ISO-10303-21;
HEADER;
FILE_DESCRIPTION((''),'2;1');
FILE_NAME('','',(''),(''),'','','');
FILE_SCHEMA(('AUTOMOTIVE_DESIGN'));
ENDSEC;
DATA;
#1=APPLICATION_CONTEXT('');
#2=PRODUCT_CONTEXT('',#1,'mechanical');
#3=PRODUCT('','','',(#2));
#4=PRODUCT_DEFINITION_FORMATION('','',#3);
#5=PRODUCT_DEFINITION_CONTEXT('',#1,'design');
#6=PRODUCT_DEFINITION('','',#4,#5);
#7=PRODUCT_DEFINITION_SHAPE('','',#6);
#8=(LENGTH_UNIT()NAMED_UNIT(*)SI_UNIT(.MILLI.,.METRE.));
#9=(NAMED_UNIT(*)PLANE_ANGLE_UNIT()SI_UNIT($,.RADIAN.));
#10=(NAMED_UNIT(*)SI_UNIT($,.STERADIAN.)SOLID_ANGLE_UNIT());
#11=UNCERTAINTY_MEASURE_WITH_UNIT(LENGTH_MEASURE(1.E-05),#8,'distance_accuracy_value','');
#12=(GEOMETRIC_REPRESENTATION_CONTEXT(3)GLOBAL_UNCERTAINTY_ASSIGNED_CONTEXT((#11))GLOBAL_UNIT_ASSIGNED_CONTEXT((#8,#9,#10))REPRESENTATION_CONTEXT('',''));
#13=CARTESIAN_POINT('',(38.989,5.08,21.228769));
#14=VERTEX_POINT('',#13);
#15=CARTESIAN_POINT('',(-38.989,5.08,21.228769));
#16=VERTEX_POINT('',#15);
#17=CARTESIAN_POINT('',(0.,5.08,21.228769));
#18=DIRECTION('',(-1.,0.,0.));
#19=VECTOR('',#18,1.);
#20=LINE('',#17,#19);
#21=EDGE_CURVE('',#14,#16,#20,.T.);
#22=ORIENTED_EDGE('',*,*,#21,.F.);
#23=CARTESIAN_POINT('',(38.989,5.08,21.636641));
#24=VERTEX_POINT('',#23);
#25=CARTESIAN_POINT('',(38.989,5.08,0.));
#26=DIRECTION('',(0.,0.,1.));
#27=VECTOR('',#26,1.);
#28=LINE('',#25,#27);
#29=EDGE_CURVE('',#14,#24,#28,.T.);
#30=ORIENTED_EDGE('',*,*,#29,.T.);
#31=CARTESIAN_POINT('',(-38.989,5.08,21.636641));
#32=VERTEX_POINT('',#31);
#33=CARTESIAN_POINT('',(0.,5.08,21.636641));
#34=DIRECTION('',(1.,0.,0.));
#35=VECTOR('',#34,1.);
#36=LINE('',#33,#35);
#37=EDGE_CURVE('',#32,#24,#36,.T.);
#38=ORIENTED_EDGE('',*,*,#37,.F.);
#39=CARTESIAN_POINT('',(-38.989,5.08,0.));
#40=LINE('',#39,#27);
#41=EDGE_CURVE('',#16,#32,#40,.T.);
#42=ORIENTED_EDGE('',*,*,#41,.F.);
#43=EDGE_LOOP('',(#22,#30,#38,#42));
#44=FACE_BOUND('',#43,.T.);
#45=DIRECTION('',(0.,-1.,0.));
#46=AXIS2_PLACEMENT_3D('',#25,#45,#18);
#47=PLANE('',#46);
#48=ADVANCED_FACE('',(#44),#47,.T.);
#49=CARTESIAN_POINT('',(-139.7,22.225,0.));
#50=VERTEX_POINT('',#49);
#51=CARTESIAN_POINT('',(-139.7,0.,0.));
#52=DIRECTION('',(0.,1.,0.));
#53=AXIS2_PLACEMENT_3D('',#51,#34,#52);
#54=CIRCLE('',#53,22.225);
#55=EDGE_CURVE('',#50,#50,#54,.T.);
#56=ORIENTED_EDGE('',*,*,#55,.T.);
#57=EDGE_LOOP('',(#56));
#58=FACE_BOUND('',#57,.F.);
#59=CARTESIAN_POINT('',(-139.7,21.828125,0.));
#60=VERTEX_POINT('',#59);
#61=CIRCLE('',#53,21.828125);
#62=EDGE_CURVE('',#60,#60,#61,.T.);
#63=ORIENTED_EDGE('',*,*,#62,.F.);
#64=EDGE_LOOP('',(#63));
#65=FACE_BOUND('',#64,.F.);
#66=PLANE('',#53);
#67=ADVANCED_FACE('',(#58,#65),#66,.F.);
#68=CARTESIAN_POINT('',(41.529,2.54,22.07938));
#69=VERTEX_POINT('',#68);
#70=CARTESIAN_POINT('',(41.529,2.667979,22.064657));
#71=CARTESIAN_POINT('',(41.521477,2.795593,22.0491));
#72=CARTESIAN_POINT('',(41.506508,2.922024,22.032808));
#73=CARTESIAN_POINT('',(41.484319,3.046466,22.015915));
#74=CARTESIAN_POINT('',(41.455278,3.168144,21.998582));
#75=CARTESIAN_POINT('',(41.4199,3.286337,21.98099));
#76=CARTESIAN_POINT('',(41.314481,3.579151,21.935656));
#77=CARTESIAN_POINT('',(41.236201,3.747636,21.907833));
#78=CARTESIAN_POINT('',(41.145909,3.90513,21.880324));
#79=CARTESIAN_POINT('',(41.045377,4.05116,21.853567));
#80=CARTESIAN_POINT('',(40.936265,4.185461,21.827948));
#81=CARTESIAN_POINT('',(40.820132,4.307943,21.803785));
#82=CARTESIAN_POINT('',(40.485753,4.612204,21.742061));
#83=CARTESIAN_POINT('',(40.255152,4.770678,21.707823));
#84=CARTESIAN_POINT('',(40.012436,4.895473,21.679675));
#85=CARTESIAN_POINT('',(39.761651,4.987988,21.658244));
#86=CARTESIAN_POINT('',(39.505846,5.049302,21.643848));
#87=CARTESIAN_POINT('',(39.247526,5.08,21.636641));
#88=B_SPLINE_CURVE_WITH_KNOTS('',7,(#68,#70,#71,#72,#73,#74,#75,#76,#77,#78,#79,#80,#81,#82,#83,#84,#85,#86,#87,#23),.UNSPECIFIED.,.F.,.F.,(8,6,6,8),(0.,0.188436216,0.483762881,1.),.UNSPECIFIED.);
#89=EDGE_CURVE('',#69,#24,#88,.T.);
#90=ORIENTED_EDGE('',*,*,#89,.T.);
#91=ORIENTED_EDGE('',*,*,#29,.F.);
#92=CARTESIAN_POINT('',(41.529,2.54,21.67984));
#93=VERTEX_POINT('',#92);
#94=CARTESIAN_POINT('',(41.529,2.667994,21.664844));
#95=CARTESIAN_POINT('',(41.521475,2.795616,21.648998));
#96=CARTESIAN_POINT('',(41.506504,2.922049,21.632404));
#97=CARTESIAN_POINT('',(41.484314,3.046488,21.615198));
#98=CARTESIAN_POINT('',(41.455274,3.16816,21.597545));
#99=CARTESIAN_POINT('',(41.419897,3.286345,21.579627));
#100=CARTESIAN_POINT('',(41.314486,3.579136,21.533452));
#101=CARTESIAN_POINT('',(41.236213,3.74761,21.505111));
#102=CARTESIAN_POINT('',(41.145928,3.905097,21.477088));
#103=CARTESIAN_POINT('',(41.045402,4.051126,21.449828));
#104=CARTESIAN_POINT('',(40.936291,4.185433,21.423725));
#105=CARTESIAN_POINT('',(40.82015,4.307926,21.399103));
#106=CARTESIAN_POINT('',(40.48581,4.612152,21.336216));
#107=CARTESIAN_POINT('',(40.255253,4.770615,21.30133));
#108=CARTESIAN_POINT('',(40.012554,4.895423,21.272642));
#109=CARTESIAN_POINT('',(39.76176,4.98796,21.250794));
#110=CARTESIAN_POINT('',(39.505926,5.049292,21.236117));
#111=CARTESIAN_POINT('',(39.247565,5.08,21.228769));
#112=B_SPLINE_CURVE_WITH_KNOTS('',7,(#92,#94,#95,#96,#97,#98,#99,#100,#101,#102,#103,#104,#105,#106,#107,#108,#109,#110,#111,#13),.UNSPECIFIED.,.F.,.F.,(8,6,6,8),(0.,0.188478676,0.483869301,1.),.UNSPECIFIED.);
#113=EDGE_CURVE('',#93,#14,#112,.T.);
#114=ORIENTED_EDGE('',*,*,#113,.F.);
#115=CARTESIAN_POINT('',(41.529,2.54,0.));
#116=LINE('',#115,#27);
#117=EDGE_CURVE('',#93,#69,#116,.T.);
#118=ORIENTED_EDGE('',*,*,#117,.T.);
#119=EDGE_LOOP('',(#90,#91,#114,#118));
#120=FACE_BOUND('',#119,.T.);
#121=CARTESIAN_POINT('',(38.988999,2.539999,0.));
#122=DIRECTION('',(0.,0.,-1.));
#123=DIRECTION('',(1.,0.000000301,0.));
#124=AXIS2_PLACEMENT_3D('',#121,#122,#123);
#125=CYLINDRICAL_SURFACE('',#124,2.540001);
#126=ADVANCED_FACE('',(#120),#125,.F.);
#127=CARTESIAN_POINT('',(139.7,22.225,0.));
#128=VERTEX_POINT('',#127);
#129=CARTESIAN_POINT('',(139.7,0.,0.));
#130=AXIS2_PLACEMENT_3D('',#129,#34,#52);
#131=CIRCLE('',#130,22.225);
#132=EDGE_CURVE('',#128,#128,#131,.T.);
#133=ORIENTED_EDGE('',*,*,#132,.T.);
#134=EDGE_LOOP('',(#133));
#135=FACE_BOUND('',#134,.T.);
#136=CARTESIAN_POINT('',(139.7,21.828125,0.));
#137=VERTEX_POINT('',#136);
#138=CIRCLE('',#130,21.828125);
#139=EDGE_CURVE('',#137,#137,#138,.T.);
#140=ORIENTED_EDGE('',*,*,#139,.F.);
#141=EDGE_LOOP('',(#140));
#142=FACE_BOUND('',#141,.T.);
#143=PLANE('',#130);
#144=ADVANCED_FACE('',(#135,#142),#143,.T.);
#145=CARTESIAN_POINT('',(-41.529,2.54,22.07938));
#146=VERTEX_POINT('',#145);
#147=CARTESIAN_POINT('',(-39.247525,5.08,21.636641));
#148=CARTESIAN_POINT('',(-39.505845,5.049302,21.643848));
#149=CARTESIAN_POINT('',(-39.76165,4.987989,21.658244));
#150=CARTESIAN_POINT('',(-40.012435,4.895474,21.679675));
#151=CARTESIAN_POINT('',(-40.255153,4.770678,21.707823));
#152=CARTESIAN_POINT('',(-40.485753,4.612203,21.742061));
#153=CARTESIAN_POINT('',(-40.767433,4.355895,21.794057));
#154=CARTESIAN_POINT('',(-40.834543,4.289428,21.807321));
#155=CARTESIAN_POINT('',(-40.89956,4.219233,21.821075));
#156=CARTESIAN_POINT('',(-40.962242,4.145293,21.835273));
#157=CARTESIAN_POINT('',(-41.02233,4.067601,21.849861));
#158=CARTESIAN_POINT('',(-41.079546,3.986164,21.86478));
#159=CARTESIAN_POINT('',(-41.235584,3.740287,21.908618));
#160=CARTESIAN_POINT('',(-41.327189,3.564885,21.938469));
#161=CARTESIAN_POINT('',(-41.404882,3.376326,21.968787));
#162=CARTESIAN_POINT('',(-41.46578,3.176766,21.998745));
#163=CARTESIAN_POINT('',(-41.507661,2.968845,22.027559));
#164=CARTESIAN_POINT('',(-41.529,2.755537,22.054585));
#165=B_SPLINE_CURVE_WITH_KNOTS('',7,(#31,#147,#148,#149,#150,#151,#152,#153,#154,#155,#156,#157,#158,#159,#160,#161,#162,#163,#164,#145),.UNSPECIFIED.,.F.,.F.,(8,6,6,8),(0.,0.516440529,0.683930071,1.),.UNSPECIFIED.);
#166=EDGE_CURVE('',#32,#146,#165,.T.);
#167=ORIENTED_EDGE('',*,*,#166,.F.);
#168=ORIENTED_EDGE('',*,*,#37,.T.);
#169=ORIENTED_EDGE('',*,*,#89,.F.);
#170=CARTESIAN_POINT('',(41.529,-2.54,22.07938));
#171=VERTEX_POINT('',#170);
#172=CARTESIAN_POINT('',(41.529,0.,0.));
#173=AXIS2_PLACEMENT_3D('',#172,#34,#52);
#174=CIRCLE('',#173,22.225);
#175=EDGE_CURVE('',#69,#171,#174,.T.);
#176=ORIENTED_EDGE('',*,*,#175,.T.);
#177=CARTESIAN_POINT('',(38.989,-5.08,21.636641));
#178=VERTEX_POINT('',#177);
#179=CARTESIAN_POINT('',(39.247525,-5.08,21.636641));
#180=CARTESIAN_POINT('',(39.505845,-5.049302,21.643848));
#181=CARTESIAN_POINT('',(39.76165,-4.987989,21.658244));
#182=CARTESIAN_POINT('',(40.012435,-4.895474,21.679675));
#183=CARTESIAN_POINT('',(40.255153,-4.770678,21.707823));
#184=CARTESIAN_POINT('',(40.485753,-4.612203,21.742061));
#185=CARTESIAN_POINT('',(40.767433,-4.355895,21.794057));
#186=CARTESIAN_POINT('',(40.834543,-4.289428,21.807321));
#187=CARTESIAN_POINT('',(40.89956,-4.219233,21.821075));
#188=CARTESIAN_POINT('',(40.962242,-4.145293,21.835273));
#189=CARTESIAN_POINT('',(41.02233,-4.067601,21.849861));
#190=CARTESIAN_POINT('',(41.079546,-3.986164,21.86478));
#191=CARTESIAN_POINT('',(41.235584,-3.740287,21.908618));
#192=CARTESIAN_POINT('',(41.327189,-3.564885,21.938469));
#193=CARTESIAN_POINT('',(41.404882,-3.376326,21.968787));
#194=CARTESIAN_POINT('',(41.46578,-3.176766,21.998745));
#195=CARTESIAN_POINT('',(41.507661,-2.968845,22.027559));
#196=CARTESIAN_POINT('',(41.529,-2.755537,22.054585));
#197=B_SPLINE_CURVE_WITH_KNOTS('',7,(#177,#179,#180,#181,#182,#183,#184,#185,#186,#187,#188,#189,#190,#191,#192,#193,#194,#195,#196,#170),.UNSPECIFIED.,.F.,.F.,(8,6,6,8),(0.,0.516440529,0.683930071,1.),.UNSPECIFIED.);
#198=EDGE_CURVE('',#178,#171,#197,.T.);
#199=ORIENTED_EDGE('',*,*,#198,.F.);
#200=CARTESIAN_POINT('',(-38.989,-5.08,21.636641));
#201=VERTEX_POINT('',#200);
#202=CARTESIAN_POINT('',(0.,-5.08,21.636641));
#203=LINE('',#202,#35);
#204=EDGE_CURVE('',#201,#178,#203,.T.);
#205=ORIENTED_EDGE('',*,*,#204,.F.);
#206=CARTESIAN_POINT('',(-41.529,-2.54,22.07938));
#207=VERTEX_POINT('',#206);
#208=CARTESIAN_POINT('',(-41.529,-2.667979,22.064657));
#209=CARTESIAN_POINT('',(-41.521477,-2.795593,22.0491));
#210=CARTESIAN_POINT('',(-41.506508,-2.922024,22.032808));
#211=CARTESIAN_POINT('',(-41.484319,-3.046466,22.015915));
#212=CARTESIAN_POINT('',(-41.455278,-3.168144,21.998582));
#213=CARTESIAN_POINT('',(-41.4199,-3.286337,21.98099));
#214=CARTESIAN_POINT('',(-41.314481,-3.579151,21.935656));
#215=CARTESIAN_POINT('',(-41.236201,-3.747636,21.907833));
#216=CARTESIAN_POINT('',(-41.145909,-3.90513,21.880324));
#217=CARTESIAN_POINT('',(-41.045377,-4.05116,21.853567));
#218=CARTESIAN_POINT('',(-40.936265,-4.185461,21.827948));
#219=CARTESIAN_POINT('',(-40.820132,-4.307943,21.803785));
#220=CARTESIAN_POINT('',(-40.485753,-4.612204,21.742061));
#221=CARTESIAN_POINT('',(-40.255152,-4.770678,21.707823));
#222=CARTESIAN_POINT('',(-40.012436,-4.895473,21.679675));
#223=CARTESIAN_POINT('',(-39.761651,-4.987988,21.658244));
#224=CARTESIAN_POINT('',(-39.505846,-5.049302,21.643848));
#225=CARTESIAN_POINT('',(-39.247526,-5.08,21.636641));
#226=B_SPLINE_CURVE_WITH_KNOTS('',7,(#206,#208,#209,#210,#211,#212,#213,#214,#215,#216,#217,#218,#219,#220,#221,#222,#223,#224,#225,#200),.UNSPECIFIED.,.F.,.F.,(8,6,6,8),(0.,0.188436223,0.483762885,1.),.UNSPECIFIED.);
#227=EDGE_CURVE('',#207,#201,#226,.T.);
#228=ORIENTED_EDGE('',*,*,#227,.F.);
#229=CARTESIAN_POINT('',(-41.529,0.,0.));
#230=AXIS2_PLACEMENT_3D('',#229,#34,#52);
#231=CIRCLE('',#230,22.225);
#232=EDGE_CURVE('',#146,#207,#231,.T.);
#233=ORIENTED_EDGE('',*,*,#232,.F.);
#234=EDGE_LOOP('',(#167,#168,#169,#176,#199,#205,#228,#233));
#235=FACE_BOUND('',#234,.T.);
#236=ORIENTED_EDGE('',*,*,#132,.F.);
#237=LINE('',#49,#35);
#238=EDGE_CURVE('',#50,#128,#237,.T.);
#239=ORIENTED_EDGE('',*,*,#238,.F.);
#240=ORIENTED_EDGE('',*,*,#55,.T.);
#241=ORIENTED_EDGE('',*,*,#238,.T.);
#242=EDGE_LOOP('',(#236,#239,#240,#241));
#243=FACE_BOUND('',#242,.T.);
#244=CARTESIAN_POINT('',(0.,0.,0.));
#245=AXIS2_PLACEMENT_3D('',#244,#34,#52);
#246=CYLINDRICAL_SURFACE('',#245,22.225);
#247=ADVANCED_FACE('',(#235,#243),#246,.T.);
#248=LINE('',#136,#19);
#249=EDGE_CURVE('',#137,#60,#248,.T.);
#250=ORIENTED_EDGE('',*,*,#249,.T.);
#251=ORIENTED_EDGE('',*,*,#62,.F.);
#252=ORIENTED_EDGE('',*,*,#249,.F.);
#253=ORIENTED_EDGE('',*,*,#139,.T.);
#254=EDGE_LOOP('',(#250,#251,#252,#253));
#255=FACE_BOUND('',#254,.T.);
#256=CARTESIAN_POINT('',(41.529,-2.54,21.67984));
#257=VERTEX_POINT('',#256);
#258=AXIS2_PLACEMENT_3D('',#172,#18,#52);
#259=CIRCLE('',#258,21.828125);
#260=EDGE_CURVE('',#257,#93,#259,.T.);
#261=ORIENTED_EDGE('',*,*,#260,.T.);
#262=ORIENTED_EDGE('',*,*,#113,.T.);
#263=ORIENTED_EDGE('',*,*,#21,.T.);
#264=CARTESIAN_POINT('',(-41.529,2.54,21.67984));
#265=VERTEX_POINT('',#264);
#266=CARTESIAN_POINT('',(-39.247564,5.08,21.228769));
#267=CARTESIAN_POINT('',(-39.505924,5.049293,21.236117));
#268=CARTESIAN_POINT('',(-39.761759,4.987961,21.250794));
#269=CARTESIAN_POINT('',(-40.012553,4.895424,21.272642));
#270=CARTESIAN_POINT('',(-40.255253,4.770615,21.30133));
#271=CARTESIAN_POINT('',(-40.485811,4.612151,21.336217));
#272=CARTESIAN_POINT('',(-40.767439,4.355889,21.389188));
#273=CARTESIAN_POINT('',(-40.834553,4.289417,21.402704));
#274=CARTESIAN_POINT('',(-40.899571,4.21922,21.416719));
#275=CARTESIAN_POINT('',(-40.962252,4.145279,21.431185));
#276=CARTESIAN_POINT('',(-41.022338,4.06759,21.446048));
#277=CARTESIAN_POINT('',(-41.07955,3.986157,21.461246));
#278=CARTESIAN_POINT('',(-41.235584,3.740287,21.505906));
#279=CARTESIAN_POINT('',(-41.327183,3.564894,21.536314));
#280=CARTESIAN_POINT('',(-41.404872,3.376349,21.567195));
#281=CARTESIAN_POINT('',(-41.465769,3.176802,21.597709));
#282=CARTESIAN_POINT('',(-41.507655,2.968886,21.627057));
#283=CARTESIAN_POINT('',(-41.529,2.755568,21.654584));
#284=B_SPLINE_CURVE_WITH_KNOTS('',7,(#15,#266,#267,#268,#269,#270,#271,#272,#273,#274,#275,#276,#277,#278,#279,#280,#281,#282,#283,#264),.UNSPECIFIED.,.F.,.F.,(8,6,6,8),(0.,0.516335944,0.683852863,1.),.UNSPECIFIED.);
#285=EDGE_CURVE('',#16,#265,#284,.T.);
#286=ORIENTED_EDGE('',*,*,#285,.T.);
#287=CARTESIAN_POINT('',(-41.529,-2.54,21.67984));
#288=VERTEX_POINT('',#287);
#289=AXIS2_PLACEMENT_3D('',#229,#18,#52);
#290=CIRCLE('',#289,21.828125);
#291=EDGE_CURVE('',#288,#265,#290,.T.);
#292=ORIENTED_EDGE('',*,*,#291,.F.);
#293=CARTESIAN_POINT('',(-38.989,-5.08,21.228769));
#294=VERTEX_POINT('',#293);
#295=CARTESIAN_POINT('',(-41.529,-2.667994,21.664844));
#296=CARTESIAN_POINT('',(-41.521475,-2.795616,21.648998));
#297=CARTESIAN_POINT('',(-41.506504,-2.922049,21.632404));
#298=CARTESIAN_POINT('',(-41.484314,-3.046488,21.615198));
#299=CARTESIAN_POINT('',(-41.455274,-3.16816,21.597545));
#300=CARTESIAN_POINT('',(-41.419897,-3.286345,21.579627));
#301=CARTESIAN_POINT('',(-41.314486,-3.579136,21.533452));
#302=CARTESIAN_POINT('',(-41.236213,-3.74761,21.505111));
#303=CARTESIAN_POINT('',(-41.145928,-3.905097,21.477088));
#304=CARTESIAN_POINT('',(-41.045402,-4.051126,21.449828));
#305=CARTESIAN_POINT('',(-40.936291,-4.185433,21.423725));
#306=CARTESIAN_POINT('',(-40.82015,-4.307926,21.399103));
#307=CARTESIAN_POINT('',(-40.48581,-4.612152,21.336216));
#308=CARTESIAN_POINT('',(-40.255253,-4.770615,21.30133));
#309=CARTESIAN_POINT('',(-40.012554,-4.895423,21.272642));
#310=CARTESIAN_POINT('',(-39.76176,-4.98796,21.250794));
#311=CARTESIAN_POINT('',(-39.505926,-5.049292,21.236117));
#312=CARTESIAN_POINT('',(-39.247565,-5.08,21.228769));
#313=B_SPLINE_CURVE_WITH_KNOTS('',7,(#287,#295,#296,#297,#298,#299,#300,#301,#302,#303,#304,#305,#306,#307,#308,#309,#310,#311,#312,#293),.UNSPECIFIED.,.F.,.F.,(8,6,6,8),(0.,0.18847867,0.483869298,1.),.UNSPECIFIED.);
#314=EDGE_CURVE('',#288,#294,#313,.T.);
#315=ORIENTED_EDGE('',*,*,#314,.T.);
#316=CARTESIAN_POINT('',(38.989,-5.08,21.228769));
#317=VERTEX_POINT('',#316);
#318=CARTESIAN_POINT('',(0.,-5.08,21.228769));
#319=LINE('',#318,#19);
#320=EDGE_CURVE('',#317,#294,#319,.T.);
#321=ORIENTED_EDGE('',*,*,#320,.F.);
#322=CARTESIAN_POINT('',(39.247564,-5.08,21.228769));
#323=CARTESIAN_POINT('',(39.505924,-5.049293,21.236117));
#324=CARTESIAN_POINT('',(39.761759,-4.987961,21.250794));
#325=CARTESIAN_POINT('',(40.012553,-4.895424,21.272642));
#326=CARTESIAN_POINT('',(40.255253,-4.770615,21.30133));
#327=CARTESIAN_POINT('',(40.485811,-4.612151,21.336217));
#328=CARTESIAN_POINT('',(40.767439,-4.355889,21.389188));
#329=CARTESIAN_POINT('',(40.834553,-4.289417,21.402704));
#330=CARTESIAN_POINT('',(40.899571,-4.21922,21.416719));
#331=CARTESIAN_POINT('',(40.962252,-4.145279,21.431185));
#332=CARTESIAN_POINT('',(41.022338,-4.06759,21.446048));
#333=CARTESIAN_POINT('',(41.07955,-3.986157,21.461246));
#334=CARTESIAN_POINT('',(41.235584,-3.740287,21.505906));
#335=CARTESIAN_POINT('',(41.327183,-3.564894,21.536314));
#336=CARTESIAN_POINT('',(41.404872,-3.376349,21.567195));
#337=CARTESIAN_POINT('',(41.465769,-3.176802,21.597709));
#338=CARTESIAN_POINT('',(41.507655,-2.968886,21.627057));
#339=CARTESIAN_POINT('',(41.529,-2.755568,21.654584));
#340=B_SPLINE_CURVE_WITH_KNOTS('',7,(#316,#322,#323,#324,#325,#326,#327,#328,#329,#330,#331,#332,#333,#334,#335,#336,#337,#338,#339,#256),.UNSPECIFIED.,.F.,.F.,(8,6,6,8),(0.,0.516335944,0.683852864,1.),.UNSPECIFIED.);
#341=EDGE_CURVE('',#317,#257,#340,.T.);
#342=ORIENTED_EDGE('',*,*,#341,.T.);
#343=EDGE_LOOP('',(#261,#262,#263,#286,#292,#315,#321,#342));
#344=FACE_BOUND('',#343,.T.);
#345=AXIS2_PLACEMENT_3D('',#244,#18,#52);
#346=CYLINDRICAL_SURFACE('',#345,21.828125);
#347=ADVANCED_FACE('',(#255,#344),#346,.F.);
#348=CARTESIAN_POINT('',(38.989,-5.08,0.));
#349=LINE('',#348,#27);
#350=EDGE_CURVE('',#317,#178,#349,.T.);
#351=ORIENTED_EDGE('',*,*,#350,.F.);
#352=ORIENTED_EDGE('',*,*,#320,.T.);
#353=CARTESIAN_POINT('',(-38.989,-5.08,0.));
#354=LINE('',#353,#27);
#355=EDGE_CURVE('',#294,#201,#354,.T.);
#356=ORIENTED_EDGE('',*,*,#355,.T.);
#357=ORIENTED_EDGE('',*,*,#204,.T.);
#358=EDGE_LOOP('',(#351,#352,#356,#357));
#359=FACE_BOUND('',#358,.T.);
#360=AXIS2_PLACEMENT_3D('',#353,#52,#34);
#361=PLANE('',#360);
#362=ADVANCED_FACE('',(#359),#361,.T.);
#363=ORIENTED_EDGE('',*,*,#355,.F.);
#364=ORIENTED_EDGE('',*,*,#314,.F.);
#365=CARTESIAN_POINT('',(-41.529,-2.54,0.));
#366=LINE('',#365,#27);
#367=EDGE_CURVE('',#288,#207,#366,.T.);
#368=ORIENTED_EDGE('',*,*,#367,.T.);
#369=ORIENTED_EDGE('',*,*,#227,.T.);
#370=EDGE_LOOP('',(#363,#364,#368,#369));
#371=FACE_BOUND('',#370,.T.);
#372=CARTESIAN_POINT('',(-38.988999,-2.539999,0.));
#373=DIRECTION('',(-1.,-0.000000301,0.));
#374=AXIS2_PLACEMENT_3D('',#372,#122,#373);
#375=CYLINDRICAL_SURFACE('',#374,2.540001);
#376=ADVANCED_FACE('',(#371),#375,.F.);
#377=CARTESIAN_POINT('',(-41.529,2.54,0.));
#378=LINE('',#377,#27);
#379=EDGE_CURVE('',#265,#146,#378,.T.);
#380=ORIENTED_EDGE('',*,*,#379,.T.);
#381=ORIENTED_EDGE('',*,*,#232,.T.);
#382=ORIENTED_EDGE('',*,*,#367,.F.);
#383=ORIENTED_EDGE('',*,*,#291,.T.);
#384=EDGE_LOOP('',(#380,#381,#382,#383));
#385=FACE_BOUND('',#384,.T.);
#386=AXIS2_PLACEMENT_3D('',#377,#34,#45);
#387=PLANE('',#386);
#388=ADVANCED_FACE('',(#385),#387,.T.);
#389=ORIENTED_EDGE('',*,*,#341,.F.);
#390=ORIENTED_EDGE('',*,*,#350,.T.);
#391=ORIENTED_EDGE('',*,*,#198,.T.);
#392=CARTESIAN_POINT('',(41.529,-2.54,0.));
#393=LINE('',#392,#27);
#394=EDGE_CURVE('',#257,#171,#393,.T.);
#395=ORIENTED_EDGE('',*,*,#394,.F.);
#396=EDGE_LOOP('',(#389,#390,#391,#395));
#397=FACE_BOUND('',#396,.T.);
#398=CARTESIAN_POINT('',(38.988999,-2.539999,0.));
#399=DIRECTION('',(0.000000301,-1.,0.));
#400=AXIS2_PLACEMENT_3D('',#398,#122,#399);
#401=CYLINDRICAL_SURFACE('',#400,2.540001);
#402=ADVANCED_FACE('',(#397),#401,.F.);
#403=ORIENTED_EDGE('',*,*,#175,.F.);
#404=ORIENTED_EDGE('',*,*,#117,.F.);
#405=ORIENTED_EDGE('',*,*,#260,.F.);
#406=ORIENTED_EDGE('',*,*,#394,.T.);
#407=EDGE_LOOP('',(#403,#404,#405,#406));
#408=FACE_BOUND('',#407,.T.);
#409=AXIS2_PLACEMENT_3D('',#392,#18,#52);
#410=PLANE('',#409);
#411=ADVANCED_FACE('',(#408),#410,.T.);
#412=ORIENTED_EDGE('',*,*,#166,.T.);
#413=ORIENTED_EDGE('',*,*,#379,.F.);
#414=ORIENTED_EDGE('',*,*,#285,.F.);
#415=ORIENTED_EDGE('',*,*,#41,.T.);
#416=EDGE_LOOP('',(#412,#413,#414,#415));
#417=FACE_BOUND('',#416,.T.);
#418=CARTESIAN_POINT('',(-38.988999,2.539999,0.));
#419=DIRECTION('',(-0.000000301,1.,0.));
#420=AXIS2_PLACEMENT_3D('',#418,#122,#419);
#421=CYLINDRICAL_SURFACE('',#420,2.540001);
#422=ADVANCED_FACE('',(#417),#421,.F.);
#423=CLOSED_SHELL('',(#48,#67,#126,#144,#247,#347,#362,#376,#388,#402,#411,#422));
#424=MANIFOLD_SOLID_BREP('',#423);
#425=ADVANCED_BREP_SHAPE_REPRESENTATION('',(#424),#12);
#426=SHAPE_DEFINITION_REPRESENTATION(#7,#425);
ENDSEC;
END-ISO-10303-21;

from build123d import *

# Parameters (mm, degrees)
F0_R     = 22.225
F0_R_2   = 21.828125
F1_DEPTH = 139.7
F3_DEPTH = 25.4


with BuildPart() as f1:
    # F0 (on Right) → F1 (new body, symmetric)
    with BuildSketch(Plane.YZ):
        Circle(F0_R)
        Circle(F0_R_2, mode=Mode.SUBTRACT)
    extrude(amount=F1_DEPTH, both=True)

    # F2 (on Top) → F3 (cut)
    with BuildSketch(Plane.XY):
        with BuildLine():
            Line((38.989, 5.08), (-38.989, 5.08))
            ThreePointArc((-38.989, 5.08), (-40.785051, 4.336051), (-41.529, 2.54))
            Line((-41.529, 2.54), (-41.529, -2.54))
            ThreePointArc((-41.529, -2.54), (-40.785051, -4.336051), (-38.989, -5.08))
            Line((-38.989, -5.08), (38.989, -5.08))
            ThreePointArc((38.989, -5.08), (40.785051, -4.336051), (41.529, -2.54))
            Line((41.529, -2.54), (41.529, 2.54))
            ThreePointArc((41.529, 2.54), (40.785051, 4.336051), (38.989, 5.08))
        make_face()
    extrude(amount=F3_DEPTH, mode=Mode.SUBTRACT)


solid = f1.part
